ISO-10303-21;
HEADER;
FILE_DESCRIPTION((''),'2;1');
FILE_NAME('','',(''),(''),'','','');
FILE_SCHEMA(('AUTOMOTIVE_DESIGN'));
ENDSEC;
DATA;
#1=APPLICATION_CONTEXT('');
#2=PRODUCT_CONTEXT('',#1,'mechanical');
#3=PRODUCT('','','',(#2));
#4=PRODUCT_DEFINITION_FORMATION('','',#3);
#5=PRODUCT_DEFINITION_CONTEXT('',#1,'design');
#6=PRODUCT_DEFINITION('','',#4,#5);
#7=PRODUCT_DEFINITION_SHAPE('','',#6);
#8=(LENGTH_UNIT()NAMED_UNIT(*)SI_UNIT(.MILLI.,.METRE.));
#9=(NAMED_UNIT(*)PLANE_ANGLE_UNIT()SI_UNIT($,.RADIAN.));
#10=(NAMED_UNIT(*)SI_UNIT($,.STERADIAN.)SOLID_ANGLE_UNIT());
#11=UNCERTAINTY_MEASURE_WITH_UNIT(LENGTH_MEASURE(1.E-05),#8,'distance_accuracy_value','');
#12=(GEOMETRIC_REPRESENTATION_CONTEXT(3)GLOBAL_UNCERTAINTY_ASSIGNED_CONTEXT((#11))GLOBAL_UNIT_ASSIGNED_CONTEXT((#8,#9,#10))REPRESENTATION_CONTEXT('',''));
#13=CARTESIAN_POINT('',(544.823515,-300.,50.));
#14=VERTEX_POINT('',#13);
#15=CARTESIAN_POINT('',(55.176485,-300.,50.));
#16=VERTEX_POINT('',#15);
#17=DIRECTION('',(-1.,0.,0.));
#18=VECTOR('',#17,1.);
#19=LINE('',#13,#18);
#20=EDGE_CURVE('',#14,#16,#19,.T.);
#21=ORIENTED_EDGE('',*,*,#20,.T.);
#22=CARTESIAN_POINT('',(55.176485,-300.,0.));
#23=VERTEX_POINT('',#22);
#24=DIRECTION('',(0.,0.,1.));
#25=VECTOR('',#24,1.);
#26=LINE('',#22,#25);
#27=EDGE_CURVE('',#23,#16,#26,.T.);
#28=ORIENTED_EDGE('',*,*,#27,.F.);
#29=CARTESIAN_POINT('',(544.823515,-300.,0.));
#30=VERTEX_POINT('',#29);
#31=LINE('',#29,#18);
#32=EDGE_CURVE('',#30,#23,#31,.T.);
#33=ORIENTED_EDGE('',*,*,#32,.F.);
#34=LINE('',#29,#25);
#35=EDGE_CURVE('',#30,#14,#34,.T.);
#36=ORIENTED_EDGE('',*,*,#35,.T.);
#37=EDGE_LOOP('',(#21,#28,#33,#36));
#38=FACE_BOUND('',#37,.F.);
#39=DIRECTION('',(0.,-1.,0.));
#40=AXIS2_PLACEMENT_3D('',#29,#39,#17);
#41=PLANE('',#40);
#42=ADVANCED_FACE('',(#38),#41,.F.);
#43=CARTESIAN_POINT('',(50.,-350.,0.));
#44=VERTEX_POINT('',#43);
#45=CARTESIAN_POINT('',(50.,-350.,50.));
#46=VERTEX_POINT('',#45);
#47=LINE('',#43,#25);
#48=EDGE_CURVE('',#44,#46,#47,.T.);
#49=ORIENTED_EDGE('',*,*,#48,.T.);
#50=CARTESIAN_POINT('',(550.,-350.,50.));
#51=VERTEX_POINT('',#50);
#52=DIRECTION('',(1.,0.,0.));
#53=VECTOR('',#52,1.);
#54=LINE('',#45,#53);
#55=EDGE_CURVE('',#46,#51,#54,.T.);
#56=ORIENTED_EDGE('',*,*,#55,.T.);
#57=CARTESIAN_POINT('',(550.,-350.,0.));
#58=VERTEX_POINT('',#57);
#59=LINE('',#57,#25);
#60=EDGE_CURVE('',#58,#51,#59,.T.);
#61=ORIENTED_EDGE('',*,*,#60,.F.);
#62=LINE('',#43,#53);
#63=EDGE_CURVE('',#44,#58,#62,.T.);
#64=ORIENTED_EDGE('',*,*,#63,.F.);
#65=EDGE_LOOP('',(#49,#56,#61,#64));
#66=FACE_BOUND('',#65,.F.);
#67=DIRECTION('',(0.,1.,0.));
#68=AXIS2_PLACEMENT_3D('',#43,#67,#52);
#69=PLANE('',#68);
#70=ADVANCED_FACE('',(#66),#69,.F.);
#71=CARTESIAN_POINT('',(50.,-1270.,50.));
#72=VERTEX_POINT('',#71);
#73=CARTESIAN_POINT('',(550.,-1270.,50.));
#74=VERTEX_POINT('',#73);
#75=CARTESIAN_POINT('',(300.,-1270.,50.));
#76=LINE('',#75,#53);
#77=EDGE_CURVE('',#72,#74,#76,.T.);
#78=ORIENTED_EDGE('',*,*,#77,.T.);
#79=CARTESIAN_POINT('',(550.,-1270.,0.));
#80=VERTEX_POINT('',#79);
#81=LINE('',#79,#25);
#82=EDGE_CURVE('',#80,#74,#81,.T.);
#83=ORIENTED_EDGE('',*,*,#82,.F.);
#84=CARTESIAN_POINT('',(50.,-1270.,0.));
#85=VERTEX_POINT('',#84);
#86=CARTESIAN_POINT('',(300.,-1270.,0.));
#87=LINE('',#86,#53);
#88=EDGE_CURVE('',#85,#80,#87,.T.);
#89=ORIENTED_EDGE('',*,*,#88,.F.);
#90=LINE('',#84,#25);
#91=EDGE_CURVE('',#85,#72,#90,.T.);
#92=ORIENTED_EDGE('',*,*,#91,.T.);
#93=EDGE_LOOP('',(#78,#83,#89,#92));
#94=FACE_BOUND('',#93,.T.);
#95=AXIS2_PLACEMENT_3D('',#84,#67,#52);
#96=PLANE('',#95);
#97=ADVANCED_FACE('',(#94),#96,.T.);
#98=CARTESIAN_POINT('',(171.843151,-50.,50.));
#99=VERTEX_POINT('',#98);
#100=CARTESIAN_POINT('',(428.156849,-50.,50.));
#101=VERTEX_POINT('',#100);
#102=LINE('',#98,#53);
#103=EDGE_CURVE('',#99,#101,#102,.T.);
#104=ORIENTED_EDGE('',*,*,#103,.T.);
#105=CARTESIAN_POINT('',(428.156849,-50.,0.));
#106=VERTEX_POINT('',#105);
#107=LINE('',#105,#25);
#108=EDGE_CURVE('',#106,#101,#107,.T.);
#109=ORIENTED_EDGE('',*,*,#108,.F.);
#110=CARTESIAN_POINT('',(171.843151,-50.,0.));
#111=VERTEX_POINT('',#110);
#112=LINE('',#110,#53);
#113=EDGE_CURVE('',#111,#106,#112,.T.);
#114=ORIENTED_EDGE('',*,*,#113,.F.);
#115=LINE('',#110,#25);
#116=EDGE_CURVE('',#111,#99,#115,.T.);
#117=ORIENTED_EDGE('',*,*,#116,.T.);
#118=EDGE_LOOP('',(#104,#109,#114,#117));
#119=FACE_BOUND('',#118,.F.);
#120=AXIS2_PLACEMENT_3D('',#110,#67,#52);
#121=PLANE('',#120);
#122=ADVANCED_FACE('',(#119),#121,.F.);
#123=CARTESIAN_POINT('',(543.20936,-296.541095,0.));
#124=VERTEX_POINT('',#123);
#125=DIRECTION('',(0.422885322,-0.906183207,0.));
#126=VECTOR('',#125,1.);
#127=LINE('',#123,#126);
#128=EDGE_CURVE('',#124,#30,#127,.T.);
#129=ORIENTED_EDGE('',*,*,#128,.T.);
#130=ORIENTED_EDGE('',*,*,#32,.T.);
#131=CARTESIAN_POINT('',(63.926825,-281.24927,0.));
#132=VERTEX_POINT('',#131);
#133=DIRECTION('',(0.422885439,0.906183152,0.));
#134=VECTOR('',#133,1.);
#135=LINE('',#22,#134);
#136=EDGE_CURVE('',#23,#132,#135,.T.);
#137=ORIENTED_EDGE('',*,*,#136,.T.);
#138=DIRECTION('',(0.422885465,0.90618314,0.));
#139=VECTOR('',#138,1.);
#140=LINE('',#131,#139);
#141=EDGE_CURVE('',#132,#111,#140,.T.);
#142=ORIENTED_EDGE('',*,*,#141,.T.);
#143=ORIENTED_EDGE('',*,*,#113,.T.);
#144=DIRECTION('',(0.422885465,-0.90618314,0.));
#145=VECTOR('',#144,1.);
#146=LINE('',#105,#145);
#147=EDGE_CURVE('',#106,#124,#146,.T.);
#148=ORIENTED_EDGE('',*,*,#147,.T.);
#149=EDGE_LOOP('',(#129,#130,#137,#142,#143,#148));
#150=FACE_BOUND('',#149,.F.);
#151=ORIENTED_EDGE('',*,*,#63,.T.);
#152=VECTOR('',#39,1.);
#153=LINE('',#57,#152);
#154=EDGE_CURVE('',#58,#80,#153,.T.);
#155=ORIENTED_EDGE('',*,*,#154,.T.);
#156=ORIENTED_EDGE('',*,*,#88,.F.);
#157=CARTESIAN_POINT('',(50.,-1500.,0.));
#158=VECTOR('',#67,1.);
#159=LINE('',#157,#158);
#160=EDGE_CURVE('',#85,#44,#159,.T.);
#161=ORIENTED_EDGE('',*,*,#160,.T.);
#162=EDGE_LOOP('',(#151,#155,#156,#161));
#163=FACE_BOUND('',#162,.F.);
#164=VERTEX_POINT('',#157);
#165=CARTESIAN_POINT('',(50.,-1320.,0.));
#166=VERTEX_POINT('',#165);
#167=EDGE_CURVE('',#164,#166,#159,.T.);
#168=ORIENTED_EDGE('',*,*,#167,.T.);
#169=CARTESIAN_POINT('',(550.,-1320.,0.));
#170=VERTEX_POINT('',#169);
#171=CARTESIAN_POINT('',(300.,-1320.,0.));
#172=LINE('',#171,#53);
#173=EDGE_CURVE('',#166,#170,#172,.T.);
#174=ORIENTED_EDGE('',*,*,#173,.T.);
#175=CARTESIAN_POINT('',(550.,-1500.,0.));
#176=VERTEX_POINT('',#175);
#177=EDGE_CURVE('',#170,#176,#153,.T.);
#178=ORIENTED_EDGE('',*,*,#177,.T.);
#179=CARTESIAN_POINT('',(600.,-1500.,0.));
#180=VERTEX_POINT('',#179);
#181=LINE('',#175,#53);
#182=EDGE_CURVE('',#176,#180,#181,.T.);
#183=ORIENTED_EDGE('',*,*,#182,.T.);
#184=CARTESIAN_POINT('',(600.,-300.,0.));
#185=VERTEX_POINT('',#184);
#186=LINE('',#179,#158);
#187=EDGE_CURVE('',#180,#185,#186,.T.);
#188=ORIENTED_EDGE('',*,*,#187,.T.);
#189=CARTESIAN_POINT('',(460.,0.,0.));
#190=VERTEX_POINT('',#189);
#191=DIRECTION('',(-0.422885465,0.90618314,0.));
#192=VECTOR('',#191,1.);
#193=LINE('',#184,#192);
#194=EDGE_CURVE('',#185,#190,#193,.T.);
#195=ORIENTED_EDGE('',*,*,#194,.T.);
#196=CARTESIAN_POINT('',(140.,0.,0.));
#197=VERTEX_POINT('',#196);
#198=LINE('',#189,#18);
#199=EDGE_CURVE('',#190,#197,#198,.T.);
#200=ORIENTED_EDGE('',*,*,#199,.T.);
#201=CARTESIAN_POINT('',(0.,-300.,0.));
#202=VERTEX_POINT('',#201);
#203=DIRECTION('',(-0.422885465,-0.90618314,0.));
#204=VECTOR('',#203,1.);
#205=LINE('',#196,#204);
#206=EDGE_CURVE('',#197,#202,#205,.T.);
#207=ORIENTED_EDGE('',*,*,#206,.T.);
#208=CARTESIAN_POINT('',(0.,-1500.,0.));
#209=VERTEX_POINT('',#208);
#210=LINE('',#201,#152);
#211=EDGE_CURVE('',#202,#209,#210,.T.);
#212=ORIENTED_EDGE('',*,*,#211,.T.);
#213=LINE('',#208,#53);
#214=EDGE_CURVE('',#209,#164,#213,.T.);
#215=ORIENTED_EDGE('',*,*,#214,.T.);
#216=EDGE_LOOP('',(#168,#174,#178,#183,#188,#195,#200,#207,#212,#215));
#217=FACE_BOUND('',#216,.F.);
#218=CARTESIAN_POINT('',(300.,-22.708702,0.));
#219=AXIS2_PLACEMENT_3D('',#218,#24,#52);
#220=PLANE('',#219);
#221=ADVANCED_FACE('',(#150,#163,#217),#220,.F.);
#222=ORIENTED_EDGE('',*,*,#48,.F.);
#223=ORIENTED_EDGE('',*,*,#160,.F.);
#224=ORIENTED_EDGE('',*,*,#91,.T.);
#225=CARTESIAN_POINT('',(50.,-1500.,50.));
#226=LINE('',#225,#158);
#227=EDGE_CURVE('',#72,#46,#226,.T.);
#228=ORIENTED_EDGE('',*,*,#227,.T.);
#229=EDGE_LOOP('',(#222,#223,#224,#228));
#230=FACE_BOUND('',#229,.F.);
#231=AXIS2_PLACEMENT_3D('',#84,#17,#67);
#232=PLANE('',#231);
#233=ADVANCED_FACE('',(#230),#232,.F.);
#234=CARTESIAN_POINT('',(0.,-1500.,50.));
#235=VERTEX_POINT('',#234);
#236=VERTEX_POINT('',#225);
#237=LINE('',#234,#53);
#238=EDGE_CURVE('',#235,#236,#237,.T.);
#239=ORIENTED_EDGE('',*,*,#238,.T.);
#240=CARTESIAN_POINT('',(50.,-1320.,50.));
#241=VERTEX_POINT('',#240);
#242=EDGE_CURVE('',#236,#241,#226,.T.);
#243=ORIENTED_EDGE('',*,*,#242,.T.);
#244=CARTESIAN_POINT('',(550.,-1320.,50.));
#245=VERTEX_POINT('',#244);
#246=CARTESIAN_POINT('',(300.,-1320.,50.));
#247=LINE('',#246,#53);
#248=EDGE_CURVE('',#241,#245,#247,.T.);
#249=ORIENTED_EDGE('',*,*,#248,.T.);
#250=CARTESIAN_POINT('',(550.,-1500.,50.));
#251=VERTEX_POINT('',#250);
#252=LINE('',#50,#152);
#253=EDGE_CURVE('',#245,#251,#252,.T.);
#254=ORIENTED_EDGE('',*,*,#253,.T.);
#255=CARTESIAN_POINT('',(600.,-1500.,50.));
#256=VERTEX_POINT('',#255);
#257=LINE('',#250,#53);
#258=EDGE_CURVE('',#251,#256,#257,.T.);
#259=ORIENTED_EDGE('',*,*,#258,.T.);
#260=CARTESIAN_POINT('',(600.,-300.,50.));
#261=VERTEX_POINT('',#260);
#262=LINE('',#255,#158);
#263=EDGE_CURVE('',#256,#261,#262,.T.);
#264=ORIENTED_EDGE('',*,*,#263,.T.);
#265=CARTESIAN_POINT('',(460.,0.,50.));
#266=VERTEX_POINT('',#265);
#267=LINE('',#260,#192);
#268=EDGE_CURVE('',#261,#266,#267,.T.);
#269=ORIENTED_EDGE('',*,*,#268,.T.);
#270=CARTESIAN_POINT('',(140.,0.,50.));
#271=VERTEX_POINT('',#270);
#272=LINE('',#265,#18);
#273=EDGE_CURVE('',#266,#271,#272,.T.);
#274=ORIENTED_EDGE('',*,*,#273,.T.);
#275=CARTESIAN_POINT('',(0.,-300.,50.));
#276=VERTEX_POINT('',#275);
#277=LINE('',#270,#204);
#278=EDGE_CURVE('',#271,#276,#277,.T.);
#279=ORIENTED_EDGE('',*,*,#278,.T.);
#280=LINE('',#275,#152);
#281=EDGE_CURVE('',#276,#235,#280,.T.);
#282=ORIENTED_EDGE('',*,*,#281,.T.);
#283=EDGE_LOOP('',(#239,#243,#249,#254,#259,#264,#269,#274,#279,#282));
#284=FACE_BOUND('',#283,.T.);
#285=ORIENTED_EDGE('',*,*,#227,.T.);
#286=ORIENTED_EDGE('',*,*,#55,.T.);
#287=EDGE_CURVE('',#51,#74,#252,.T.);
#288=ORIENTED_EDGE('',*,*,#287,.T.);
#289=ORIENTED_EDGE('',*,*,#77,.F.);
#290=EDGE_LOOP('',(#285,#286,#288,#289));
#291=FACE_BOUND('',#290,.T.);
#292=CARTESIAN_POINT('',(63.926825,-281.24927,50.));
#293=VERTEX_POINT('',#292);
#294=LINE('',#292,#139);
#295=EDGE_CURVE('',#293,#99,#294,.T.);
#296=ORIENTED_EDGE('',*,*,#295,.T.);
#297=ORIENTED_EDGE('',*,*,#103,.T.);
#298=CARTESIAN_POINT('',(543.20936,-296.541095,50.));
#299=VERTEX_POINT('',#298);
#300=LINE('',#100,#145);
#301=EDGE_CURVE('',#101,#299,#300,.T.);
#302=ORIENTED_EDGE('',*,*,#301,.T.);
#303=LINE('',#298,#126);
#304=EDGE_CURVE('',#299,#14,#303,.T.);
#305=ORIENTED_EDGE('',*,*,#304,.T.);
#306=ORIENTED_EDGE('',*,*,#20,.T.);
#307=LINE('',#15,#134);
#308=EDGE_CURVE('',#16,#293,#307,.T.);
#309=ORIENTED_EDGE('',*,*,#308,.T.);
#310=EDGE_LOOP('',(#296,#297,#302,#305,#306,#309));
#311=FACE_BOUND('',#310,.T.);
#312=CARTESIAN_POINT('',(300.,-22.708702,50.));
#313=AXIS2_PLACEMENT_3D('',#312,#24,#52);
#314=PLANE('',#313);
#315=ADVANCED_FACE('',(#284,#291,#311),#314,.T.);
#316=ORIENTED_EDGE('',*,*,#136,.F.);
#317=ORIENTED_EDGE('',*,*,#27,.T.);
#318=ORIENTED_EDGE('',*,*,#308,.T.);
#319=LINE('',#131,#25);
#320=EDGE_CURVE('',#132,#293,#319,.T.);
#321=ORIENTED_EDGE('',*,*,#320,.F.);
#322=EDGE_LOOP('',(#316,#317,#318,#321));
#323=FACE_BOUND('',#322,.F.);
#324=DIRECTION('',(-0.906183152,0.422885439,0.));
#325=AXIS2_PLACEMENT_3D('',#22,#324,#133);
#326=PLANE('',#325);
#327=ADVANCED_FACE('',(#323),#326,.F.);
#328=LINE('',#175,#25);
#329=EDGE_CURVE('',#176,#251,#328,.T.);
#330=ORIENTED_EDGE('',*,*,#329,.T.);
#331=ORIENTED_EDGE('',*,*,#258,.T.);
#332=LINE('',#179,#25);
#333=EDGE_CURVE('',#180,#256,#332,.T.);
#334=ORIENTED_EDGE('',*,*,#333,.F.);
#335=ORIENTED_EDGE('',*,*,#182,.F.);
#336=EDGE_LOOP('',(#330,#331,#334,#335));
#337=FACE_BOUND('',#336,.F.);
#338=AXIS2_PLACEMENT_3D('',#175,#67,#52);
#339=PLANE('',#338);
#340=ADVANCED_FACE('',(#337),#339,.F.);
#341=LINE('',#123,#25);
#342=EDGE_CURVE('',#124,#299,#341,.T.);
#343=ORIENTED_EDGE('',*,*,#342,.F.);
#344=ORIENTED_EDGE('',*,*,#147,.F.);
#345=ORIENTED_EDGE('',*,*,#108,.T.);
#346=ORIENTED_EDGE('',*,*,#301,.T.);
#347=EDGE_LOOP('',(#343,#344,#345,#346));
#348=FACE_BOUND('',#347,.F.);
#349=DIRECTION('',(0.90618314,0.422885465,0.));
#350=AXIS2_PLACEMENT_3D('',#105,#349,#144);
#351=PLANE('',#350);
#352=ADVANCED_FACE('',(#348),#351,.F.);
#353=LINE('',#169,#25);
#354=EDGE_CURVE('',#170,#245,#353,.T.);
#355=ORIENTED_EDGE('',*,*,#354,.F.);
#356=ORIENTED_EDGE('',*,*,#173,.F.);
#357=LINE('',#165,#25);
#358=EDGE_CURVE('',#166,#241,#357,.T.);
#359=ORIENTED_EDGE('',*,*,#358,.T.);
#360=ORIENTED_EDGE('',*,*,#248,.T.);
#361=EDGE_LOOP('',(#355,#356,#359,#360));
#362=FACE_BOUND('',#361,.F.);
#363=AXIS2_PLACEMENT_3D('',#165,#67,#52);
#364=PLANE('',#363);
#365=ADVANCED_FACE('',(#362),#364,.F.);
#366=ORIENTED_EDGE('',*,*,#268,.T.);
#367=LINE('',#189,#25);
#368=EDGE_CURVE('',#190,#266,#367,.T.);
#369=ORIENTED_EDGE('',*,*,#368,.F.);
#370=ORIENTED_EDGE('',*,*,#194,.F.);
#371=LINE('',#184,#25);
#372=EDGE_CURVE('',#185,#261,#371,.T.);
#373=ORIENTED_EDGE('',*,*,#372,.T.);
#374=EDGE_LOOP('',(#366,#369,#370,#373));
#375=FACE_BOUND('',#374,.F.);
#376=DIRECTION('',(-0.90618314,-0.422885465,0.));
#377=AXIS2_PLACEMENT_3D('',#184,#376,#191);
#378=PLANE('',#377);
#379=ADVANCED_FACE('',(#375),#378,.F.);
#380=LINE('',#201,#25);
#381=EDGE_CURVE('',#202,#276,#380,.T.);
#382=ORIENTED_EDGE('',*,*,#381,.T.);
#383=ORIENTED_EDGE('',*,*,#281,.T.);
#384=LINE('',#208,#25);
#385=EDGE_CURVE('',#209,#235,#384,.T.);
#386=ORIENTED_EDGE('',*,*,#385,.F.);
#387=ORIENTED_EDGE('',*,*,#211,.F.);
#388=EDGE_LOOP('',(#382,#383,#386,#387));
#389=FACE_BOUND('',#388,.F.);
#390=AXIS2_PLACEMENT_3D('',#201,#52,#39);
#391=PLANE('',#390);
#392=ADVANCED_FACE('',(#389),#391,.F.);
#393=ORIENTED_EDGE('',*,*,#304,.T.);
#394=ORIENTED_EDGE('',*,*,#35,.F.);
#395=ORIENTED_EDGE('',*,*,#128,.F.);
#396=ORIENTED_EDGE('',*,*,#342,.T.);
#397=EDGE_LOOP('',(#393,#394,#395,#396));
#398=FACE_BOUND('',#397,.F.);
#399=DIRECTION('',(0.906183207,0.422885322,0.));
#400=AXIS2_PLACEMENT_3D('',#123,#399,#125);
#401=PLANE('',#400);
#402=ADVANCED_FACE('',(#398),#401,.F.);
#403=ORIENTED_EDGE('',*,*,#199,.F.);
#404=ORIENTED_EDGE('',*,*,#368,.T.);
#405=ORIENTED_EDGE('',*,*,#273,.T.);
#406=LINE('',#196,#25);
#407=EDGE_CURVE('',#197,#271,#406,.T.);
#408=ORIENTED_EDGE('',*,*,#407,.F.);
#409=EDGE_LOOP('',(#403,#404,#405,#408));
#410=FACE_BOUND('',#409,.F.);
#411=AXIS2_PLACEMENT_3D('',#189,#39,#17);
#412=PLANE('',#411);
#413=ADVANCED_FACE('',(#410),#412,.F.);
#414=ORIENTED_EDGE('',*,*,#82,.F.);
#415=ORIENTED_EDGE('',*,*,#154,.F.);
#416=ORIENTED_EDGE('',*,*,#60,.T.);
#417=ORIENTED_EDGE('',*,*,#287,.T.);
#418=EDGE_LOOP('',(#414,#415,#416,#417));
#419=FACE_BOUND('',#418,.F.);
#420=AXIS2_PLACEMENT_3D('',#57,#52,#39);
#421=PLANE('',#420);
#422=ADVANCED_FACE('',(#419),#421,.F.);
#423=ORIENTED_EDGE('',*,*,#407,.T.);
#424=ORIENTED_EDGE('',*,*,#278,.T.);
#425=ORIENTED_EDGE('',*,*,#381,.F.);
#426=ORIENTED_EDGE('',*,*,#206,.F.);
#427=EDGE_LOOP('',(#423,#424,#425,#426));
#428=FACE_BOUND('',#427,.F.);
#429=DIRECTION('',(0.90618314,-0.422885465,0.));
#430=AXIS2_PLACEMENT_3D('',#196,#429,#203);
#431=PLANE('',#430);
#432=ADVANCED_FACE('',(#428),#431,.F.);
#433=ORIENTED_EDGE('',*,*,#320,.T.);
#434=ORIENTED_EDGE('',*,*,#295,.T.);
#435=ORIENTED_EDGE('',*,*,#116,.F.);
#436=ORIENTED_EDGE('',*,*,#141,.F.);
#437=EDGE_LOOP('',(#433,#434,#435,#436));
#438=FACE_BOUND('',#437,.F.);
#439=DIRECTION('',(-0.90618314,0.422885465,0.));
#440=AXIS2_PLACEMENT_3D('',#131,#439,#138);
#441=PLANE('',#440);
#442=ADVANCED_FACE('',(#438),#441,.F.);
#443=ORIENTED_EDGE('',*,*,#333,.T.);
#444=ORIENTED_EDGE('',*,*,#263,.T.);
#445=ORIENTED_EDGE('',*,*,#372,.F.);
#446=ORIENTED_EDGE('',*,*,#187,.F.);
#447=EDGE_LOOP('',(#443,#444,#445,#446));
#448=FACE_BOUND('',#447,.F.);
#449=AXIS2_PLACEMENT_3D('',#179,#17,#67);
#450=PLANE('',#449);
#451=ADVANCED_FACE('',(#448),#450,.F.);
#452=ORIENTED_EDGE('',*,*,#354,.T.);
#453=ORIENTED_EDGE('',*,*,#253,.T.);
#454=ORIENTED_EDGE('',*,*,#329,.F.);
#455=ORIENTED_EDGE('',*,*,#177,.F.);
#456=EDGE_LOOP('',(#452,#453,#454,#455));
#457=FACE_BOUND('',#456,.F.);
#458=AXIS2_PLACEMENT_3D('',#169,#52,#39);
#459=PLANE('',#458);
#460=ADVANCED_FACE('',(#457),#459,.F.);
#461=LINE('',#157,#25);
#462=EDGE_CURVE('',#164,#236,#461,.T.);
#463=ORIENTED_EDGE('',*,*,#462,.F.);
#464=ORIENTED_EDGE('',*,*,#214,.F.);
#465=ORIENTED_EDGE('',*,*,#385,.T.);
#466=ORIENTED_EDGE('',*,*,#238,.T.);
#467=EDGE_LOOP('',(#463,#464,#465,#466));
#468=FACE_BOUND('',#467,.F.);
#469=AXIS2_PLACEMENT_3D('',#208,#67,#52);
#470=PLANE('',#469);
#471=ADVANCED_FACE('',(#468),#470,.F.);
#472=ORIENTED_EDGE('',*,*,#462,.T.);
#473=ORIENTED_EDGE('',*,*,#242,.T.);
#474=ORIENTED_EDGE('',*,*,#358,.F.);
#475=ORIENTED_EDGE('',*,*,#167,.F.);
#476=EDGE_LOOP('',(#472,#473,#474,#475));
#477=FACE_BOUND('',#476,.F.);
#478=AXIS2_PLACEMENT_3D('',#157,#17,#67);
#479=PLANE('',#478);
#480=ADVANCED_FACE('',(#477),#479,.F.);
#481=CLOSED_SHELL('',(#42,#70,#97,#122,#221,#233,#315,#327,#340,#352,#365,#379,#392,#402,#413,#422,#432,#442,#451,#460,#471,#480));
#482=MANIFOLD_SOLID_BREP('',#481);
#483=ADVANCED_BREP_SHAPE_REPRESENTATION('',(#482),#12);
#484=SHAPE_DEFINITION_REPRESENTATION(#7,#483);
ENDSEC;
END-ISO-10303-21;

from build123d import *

# Parameters (mm, degrees)
F0_W     = 500
F0_H     = 50
F1_DEPTH = 50


with BuildPart() as f1:
    # F0 (on Top) → F1 (new body)
    with BuildSketch(Plane.XY):
        Polygon((460, 0), (140, 0), (171.843151, -50), (428.156849, -50), align=None)
        Polygon((171.843151, -50), (140, 0), (0, -300), (55.176485, -300), (63.926825, -281.24927), align=None)
        Polygon((600, -300), (460, 0), (428.156849, -50), (543.20936, -296.541095), (544.823515, -300), align=None)
        Polygon((55.176485, -300), (0, -300), (50, -350), (550, -350), (600, -300), (544.823515, -300), align=None)
        Polygon((600, -1500), (600, -300), (550, -350), (550, -1270), (550, -1320), (550, -1500), align=None)
        Polygon((50, -350), (0, -300), (0, -1500), (50, -1500), (50, -1320), (50, -1270), align=None)
        with Locations((300, -1295)):
            Rectangle(F0_W, F0_H)
    extrude(amount=F1_DEPTH)


solid = f1.part
